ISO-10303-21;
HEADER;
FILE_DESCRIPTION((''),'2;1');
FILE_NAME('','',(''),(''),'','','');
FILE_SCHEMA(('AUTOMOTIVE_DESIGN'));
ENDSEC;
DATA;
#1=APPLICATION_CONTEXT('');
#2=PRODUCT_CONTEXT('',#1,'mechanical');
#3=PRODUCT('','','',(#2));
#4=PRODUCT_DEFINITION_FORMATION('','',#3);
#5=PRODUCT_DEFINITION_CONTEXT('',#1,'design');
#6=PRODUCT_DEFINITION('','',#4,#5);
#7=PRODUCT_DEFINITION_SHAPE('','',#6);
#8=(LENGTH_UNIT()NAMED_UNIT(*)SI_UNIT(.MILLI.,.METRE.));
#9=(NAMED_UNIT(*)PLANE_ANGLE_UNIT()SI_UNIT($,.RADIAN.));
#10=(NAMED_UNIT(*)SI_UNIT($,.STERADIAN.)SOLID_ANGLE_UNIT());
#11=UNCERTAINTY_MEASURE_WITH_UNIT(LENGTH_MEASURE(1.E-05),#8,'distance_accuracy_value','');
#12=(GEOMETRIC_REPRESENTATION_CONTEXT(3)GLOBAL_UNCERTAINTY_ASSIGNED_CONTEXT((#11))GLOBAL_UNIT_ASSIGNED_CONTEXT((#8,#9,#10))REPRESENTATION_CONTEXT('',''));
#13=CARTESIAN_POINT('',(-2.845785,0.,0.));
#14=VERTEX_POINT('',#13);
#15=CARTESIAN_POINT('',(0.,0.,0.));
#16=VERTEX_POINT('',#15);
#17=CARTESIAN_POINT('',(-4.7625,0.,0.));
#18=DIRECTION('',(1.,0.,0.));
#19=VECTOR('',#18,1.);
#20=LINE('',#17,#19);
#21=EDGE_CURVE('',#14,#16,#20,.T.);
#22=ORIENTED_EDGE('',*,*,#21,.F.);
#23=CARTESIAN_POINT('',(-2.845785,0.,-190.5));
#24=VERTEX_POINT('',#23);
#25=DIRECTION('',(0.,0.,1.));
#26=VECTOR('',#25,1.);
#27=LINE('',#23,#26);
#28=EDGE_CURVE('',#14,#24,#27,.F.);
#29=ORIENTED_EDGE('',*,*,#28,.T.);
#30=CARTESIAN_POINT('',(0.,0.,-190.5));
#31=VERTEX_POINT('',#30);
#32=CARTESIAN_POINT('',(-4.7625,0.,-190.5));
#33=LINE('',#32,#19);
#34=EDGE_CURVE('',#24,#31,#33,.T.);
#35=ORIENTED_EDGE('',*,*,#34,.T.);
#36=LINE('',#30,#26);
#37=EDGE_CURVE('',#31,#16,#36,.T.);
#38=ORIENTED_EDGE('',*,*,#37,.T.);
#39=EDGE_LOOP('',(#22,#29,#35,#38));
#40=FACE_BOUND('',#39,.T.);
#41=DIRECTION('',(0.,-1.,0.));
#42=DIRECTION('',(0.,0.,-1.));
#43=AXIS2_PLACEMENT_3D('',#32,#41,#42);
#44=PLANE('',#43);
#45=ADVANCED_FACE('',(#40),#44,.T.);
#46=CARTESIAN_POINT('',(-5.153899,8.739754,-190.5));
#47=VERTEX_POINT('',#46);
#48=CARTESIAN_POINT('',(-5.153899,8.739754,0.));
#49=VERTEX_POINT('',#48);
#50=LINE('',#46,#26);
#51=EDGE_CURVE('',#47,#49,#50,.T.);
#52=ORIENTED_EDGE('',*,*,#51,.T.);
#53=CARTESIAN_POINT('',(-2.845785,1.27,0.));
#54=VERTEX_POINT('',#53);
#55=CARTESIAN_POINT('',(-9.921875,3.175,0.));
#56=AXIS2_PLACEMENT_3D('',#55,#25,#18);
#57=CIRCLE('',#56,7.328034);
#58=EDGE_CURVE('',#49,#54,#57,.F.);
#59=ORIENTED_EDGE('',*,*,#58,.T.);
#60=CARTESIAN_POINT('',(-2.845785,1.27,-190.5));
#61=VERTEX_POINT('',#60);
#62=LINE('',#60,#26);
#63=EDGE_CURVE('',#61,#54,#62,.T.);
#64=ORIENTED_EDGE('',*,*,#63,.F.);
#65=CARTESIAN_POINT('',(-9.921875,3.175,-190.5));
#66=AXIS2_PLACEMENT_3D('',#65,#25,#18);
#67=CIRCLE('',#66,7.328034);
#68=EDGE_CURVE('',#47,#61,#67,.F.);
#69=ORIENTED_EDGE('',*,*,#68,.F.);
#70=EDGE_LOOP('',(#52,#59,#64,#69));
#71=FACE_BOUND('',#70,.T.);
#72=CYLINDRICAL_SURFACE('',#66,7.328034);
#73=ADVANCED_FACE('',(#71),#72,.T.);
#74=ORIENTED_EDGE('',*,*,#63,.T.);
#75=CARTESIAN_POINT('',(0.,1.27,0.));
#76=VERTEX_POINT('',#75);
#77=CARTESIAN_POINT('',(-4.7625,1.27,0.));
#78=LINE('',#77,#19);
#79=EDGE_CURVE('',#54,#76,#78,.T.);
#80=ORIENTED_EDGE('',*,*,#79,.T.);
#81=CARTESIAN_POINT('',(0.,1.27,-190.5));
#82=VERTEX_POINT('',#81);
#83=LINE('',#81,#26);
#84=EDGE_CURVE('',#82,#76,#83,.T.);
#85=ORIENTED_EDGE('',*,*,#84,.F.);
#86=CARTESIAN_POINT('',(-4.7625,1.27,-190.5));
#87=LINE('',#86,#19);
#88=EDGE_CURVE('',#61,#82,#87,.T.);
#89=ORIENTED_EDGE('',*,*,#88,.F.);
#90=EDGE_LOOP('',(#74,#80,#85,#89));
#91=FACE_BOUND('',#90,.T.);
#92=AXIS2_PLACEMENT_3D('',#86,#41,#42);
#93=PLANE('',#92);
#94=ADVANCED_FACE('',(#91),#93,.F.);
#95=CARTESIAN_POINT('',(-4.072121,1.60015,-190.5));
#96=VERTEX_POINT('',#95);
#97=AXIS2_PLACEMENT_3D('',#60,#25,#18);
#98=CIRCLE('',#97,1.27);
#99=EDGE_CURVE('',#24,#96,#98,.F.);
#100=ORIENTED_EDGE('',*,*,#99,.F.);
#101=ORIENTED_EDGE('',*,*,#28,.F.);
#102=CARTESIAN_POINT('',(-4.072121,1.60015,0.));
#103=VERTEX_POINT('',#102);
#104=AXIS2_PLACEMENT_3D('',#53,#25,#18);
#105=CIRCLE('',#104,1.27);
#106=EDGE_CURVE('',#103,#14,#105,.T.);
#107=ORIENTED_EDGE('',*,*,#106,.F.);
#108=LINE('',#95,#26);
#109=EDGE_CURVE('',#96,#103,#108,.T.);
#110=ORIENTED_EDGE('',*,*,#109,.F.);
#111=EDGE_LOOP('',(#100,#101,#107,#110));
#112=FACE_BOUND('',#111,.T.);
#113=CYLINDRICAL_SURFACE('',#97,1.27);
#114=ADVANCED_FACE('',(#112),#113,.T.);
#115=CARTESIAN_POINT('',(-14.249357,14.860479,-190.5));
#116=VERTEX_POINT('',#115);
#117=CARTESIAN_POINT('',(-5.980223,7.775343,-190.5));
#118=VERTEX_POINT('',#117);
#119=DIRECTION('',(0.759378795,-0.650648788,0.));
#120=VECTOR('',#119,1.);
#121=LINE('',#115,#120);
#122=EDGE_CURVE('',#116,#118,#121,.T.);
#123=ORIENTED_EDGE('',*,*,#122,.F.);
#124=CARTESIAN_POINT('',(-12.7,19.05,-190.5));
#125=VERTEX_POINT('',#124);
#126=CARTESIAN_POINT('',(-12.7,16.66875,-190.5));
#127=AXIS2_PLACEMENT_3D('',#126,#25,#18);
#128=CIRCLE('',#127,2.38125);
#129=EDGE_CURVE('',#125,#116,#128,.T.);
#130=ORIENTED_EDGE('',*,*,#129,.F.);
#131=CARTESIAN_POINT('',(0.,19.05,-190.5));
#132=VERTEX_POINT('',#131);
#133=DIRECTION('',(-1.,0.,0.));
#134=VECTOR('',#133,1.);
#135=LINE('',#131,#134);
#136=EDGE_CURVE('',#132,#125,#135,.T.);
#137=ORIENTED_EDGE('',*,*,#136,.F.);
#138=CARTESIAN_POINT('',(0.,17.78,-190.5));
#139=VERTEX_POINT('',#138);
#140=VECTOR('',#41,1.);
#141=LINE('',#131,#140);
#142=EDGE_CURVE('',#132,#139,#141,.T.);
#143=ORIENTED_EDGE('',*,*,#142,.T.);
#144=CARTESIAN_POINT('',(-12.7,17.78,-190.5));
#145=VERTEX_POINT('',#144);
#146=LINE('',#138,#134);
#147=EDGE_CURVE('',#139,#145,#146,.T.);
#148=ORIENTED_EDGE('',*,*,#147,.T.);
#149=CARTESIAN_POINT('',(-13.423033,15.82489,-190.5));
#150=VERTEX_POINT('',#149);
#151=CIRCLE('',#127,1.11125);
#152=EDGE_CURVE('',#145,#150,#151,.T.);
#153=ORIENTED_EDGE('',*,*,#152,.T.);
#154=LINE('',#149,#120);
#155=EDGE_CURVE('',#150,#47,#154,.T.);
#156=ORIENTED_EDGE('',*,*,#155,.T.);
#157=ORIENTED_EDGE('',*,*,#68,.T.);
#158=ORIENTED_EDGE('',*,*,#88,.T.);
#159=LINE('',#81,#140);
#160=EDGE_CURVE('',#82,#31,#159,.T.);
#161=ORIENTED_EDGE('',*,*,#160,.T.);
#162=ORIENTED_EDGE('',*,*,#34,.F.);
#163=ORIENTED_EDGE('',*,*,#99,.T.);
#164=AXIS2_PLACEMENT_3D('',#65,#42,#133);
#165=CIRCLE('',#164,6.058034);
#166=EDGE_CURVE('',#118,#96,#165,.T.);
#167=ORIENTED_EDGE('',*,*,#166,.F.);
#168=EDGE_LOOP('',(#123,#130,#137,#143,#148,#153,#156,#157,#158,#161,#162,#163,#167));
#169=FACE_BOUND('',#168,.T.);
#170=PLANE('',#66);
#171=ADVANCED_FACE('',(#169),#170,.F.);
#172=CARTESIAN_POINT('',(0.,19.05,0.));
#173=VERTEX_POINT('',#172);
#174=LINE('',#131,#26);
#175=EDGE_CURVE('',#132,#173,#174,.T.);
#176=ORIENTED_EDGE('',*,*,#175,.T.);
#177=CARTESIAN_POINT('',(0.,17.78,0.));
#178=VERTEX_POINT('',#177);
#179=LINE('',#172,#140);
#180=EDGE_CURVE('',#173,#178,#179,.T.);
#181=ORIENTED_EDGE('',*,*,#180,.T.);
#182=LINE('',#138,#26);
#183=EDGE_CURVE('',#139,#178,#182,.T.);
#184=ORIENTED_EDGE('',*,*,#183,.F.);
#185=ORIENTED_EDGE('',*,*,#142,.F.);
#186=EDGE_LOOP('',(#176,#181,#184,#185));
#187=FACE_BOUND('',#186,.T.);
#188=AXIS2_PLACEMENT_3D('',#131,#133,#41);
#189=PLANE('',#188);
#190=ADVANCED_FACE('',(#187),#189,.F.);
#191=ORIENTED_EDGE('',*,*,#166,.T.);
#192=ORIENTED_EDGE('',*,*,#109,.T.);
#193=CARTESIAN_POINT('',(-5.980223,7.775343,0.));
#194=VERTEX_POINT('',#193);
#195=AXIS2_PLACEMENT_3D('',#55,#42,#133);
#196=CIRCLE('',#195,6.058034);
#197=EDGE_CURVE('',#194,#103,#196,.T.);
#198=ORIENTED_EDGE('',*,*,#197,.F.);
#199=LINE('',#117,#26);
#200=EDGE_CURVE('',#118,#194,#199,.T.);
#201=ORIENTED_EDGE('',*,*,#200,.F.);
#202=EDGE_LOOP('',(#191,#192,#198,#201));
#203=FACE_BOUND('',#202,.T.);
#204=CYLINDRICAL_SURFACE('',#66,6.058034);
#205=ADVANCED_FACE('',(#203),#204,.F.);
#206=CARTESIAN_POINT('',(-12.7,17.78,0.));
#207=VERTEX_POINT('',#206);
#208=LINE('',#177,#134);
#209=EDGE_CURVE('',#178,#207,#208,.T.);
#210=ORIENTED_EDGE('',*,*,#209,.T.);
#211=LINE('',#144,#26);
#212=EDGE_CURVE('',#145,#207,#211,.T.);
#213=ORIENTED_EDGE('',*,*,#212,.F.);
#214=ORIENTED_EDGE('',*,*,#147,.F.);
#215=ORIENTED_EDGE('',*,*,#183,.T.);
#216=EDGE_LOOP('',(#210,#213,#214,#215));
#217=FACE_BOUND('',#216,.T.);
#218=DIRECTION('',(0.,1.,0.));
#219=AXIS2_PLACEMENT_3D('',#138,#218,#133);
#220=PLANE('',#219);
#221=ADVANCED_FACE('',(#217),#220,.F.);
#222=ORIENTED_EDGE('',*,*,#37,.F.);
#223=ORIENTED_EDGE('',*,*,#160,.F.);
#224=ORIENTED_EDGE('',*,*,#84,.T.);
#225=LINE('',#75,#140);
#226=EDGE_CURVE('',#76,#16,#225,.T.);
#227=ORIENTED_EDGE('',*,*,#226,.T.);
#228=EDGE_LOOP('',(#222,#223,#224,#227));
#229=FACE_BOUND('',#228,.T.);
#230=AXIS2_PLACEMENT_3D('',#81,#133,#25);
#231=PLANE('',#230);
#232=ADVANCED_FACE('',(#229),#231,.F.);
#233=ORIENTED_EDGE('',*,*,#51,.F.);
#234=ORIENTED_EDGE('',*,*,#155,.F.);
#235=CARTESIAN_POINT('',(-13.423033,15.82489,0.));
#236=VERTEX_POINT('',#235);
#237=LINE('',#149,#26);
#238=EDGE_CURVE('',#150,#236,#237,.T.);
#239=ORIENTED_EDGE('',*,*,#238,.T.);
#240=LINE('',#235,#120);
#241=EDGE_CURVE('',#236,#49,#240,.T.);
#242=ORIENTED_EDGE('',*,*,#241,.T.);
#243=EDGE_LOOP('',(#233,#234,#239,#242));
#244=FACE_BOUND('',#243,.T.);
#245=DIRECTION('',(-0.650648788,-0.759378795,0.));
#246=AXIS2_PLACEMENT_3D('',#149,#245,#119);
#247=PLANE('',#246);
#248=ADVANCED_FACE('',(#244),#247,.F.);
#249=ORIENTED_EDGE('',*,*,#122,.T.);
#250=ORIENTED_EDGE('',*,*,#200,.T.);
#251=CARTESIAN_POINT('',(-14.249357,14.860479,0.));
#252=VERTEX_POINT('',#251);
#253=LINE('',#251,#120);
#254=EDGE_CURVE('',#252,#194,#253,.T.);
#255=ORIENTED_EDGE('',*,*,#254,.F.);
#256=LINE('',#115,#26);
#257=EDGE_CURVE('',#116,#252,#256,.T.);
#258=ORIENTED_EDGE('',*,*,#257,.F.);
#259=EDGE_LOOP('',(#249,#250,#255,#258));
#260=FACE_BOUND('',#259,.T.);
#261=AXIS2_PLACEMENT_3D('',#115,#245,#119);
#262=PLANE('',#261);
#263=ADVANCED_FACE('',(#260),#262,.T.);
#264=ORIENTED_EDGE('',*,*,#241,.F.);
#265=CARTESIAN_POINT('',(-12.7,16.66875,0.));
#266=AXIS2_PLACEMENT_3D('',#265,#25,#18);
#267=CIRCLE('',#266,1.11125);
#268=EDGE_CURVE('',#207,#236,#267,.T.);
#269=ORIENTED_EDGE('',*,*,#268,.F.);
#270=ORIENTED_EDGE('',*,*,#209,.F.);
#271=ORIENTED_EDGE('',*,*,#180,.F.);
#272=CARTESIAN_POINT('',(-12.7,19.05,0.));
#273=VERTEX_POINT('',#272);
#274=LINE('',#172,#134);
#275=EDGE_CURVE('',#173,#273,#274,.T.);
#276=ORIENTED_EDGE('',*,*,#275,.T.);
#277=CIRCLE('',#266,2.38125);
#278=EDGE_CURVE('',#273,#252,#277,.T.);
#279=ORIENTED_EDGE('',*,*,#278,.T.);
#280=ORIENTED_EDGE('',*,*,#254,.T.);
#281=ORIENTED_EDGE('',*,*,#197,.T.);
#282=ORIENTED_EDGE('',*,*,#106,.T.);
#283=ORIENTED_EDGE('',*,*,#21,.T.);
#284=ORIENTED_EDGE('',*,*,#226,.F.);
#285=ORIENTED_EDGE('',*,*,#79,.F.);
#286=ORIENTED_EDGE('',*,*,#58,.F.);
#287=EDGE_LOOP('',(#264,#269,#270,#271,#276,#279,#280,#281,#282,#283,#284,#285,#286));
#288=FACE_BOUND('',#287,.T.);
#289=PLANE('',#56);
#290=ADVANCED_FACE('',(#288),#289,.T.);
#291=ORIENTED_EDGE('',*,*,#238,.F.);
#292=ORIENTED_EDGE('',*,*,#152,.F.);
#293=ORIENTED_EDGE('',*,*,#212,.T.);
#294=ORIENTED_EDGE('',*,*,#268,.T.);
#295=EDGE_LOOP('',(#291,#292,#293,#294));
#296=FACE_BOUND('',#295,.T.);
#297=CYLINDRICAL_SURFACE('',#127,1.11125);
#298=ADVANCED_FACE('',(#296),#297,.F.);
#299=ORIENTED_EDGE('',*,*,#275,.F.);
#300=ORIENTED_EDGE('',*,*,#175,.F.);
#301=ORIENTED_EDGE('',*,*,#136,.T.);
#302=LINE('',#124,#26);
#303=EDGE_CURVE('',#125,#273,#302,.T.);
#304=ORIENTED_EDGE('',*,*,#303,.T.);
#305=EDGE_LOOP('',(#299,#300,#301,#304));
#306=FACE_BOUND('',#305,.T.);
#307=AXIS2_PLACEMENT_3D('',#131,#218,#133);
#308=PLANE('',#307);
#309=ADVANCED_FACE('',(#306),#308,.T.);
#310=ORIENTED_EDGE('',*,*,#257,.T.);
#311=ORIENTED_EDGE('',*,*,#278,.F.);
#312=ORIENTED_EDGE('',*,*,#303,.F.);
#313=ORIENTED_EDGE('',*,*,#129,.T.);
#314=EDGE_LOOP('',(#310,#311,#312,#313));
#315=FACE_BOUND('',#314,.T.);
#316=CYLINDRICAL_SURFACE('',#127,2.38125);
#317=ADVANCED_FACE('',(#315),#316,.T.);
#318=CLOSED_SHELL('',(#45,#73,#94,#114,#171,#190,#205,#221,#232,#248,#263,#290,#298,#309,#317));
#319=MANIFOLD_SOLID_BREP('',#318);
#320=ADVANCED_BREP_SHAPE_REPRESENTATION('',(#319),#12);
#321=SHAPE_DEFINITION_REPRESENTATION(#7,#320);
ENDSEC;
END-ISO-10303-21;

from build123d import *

# Parameters (mm, degrees)
EXTRUDE_THIN1_DEPTH = 190.5
FILLET1_R           = 1.27


with BuildPart() as part:
    # Sketch2 → Extrude-Thin1 (new body)
    with BuildSketch(Plane.XY):
        with BuildLine():
            Line((0, 19.05), (-12.7, 19.05))
            ThreePointArc((-12.7, 19.05), (-14.933416251, 17.494706059), (-14.249357426, 14.860479244))
            Line((-14.249357426, 14.860479244), (-5.98022255, 7.775342526))
            ThreePointArc((-5.98022255, 7.775342526), (-3.936796637, 4.112343257), (-4.7625, 0))
            Line((-4.7625, 0), (0, 0))
            Line((0, 0), (0, 1.27))
            Line((0, 1.27), (-2.845784509, 1.27))
            ThreePointArc((-2.845784509, 1.27), (-2.920461936, 5.33839935), (-5.153898589, 8.739753596))
            Line((-5.153898589, 8.739753596), (-13.423033466, 15.824890314))
            ThreePointArc((-13.423033466, 15.824890314), (-13.742260917, 17.054196161), (-12.7, 17.78))
            Line((-12.7, 17.78), (0, 17.78))
            Line((0, 17.78), (0, 19.05))
        make_face()
    extrude(amount=-EXTRUDE_THIN1_DEPTH)

    # Fillet1
    fillet1_edges = [part.edges().sort_by_distance(p)[0] for p in [
        (-4.7625, 0, -95.25),
    ]]
    fillet(fillet1_edges, radius=FILLET1_R)


solid = part.part
